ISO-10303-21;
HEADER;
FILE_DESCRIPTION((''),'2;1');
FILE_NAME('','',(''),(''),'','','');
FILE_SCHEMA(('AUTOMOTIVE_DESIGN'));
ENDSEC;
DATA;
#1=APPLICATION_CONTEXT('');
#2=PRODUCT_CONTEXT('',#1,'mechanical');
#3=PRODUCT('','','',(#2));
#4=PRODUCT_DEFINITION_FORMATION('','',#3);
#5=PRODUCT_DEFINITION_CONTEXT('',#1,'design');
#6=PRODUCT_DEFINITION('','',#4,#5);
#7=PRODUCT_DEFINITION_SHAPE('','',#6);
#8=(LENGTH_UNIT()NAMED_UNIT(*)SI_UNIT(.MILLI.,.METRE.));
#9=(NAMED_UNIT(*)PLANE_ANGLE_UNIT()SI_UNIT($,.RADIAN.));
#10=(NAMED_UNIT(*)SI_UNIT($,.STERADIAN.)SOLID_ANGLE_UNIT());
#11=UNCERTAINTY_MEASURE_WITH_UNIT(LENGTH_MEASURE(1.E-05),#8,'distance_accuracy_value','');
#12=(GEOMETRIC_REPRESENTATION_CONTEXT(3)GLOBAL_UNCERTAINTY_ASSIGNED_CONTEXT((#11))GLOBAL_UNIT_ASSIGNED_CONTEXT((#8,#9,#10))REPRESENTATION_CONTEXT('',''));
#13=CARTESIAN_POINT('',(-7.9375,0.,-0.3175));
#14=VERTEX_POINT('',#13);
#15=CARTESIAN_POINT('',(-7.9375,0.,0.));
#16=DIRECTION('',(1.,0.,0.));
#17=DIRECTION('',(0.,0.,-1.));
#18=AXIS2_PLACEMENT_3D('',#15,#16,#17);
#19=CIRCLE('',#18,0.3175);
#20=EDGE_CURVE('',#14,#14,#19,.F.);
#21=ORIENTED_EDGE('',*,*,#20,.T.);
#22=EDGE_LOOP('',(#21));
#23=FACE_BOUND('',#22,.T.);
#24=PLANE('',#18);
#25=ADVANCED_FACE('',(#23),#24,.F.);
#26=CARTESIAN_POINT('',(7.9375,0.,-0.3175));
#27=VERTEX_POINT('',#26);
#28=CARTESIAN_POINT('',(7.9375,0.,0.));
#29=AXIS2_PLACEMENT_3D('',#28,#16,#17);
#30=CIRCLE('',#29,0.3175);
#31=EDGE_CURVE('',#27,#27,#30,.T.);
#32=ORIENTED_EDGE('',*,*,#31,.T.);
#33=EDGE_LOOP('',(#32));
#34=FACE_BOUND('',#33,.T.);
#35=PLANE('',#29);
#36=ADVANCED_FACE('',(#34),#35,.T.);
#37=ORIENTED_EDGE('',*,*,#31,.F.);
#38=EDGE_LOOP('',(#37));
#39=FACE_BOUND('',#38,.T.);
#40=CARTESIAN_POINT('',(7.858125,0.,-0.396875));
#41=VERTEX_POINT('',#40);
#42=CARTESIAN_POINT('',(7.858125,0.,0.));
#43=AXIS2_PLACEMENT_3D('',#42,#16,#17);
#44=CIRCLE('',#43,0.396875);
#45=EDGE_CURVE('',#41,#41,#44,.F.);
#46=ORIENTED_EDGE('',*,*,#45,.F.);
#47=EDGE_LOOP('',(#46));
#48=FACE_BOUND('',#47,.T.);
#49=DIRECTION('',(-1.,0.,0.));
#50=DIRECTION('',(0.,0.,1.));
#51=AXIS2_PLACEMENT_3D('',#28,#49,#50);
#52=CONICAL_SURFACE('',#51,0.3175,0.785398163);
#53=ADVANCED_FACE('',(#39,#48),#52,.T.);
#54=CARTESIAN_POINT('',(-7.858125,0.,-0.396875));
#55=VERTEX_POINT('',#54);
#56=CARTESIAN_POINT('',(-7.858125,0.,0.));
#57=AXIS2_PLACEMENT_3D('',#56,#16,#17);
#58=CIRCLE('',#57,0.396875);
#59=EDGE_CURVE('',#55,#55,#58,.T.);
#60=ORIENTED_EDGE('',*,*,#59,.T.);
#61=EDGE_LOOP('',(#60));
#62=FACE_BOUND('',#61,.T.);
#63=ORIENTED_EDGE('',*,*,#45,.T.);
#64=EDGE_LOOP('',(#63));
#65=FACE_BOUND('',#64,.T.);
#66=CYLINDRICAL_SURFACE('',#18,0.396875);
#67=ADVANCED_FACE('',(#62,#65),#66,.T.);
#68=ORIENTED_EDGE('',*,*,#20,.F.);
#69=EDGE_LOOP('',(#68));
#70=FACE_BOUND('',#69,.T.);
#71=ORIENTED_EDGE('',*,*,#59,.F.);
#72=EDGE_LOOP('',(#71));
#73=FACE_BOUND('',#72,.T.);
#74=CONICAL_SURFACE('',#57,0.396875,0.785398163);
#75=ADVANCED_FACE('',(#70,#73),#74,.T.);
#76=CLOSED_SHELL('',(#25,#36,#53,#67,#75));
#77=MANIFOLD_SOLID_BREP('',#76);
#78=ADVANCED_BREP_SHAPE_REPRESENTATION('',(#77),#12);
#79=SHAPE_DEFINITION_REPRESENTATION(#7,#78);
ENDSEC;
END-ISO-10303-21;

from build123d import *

# Parameters (mm, degrees)
EXTRUDE1_DEPTH      = 7.9375
EXTRUDE1_DEPTH_BACK = 7.9375
SKETCH2_R           = 0.396875
CHAMFER1_SIZE       = 0.079375


with BuildPart() as part:
    # Sketch2 → Extrude1 (new, two sides: drawn at the far end of the back side and taken through both)
    with BuildSketch(Plane(origin=(0, 0, 0), x_dir=(0, 0, -1), z_dir=(1, 0, 0)).offset(-EXTRUDE1_DEPTH_BACK)):
        Circle(SKETCH2_R)
    extrude(amount=EXTRUDE1_DEPTH + EXTRUDE1_DEPTH_BACK)

    # Chamfer1
    chamfer1_edges = [part.edges().sort_by_distance(p)[0] for p in [
        (-7.9375, 0, 0.396875),
        (7.9375, 0, 0.396875),
    ]]
    chamfer(chamfer1_edges, length=CHAMFER1_SIZE)


solid = part.part
